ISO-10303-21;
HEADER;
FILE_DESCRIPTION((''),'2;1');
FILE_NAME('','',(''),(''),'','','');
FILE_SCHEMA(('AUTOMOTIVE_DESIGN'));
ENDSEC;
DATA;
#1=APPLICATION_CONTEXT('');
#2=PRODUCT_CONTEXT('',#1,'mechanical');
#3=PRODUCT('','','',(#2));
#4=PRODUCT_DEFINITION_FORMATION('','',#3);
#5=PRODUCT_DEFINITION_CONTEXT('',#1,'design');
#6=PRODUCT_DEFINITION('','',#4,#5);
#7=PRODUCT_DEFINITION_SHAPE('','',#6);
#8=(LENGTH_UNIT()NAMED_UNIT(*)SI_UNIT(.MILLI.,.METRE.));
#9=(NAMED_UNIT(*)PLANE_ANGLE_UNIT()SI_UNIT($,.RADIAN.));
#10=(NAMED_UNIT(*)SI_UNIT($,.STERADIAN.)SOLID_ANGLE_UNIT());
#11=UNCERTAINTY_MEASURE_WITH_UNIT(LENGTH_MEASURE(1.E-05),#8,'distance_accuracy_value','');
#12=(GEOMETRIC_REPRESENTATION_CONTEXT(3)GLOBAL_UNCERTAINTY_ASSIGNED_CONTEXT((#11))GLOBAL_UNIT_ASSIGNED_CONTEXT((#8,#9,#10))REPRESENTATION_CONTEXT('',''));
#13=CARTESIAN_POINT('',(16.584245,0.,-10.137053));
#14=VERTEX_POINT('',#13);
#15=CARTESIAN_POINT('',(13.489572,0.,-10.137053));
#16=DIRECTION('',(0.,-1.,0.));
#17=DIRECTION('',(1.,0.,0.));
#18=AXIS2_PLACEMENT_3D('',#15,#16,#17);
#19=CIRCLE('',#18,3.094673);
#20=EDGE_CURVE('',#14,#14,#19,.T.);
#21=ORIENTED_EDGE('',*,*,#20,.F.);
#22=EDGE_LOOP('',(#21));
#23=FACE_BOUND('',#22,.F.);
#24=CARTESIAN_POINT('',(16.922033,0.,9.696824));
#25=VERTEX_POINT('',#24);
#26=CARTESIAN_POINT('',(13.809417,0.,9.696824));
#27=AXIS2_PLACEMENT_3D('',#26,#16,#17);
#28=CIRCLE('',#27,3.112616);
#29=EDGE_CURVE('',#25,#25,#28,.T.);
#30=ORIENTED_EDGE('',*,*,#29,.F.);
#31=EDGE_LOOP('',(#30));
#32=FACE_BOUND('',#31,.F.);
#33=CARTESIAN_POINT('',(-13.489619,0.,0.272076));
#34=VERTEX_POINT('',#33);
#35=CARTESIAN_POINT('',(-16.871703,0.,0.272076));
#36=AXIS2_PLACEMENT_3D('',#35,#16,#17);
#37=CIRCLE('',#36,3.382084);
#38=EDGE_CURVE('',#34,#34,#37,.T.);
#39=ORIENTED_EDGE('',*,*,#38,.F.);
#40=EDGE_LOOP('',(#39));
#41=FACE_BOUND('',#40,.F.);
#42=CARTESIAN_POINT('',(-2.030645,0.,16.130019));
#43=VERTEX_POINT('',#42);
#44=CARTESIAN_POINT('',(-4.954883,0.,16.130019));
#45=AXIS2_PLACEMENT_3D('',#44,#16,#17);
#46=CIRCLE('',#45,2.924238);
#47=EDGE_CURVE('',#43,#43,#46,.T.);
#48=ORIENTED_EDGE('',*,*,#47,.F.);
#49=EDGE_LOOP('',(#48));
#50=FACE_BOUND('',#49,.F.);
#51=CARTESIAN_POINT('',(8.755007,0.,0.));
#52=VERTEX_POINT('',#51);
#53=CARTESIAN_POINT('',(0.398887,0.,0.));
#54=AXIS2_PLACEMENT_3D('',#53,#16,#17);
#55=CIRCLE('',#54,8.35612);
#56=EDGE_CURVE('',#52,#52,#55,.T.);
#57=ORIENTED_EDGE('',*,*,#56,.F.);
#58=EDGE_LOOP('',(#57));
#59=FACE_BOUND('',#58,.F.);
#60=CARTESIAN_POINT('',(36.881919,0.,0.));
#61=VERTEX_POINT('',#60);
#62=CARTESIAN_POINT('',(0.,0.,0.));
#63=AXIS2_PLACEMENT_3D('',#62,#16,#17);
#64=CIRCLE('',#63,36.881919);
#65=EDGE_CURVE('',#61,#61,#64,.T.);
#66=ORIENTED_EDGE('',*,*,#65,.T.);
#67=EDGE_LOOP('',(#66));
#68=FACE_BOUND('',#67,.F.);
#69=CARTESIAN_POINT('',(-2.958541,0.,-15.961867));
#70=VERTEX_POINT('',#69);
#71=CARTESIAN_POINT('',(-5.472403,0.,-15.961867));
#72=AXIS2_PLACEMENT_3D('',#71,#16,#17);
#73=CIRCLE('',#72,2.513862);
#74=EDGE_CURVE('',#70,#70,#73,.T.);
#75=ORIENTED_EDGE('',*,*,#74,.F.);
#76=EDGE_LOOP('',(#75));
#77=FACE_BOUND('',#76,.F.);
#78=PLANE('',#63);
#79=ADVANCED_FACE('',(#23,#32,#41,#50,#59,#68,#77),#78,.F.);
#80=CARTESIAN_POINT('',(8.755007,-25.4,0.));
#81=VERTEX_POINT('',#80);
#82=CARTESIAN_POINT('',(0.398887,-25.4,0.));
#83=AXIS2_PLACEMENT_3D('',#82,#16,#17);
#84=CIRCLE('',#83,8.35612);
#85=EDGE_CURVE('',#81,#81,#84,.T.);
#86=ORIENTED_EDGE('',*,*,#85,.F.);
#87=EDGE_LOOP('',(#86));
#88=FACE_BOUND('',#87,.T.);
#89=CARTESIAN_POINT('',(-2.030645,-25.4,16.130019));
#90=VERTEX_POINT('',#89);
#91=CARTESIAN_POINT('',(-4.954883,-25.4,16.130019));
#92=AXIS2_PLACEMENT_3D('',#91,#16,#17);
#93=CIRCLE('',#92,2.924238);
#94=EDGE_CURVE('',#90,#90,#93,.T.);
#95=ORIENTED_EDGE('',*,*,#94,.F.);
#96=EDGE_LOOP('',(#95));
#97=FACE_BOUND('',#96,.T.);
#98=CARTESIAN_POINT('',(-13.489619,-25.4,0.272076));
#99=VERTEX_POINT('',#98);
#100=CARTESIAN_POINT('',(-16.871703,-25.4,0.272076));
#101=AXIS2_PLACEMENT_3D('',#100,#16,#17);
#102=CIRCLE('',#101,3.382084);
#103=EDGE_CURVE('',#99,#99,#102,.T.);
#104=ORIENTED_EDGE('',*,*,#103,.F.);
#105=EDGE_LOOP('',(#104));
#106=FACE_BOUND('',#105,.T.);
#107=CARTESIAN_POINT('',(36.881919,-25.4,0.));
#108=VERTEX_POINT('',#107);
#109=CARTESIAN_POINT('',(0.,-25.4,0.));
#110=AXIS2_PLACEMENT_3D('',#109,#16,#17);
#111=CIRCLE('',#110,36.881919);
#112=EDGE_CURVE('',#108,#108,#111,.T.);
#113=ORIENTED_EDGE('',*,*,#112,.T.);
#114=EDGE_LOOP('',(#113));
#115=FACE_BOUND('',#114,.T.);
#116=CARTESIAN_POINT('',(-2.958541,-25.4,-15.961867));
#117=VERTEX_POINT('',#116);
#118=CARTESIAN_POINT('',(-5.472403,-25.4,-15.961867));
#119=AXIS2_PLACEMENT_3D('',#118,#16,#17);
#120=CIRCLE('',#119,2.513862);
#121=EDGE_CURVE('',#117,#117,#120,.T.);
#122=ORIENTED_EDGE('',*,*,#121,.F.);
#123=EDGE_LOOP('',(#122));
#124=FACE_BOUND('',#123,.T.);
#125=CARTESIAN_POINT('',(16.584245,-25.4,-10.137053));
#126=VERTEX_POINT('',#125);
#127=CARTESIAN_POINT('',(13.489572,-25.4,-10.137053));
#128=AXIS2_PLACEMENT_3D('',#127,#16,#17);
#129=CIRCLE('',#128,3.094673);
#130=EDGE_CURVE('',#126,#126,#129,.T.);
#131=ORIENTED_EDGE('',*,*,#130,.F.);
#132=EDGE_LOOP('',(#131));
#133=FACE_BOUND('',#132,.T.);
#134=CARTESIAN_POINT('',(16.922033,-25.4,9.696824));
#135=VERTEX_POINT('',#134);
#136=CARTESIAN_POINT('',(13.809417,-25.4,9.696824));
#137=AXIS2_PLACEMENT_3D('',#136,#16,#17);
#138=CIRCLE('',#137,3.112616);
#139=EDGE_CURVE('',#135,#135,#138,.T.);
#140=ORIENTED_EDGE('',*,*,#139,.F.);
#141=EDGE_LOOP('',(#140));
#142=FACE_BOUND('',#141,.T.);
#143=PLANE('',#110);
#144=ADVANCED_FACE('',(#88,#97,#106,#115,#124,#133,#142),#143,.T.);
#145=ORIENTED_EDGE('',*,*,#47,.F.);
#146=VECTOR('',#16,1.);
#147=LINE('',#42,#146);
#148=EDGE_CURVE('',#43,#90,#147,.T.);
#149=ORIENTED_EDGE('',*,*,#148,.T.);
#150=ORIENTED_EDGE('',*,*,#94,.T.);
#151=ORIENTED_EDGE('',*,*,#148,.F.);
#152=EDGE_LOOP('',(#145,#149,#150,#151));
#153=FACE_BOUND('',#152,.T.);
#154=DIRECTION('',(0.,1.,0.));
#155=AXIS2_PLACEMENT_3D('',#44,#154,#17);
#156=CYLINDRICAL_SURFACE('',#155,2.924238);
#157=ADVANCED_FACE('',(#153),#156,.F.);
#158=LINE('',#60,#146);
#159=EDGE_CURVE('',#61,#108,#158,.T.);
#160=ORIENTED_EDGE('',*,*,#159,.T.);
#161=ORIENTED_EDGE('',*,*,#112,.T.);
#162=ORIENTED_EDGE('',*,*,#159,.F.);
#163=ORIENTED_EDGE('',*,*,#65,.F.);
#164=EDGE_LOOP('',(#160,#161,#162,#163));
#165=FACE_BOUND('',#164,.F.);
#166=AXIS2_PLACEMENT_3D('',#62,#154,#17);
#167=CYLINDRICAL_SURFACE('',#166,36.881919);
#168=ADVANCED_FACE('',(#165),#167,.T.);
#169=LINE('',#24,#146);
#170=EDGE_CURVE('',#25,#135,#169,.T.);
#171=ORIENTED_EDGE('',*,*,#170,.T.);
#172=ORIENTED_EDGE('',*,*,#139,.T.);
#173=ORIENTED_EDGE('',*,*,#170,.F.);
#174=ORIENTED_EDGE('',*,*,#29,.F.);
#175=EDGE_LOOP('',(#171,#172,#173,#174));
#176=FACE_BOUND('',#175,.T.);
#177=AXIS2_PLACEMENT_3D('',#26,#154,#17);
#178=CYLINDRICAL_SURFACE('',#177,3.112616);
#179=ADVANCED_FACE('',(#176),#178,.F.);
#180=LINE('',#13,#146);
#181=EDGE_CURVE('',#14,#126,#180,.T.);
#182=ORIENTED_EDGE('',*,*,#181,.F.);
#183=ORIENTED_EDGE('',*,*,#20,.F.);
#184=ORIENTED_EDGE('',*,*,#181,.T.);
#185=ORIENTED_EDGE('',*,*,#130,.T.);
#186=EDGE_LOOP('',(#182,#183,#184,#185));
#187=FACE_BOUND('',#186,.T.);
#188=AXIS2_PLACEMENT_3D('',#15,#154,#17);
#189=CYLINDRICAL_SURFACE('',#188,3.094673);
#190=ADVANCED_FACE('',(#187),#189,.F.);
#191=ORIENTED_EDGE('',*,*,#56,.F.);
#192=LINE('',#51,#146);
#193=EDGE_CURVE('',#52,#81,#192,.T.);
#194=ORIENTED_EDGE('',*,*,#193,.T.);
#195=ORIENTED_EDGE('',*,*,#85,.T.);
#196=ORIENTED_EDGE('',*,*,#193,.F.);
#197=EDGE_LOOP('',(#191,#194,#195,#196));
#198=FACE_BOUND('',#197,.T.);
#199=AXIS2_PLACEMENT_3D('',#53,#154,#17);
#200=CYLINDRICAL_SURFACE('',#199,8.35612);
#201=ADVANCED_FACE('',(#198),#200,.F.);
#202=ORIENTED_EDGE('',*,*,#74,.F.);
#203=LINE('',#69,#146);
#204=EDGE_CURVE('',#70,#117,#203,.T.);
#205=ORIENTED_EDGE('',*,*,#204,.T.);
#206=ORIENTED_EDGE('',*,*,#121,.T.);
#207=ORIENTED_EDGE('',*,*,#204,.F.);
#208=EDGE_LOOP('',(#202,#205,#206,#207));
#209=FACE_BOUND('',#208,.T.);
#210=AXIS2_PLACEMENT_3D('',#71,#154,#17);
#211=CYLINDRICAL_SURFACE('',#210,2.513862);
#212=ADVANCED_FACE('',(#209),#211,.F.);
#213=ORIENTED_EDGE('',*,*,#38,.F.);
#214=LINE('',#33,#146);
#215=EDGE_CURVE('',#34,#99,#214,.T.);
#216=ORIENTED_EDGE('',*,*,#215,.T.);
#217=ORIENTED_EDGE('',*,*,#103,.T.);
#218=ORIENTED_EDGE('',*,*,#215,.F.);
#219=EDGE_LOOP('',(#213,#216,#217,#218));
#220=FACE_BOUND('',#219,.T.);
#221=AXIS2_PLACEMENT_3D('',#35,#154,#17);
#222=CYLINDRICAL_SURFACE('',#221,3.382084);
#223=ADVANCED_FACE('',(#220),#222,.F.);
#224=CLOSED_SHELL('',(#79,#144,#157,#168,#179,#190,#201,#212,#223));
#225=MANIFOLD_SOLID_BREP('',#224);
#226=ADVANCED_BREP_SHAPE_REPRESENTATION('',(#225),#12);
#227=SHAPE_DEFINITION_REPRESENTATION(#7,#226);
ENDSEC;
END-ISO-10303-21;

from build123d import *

# Parameters (mm, degrees)
F0_R     = 36.881919
F0_R_2   = 2.513862
F0_R_3   = 3.094673
F0_R_4   = 3.382084
F0_R_5   = 2.924238
F0_R_6   = 8.35612
F0_R_7   = 3.112616
F1_DEPTH = 25.4


with BuildPart() as f1:
    # F0 (on Front) → F1 (new body)
    with BuildSketch(Plane.XZ):
        Circle(F0_R)
        with Locations((-5.472403, -15.961867)):
            Circle(F0_R_2, mode=Mode.SUBTRACT)
        with Locations((13.489572, -10.137053)):
            Circle(F0_R_3, mode=Mode.SUBTRACT)
        with Locations((-16.871703, 0.272076)):
            Circle(F0_R_4, mode=Mode.SUBTRACT)
        with Locations((-4.954883, 16.130019)):
            Circle(F0_R_5, mode=Mode.SUBTRACT)
        with Locations((0.398887, 0)):
            Circle(F0_R_6, mode=Mode.SUBTRACT)
        with Locations((13.809417, 9.696824)):
            Circle(F0_R_7, mode=Mode.SUBTRACT)
    extrude(amount=F1_DEPTH)


solid = f1.part
